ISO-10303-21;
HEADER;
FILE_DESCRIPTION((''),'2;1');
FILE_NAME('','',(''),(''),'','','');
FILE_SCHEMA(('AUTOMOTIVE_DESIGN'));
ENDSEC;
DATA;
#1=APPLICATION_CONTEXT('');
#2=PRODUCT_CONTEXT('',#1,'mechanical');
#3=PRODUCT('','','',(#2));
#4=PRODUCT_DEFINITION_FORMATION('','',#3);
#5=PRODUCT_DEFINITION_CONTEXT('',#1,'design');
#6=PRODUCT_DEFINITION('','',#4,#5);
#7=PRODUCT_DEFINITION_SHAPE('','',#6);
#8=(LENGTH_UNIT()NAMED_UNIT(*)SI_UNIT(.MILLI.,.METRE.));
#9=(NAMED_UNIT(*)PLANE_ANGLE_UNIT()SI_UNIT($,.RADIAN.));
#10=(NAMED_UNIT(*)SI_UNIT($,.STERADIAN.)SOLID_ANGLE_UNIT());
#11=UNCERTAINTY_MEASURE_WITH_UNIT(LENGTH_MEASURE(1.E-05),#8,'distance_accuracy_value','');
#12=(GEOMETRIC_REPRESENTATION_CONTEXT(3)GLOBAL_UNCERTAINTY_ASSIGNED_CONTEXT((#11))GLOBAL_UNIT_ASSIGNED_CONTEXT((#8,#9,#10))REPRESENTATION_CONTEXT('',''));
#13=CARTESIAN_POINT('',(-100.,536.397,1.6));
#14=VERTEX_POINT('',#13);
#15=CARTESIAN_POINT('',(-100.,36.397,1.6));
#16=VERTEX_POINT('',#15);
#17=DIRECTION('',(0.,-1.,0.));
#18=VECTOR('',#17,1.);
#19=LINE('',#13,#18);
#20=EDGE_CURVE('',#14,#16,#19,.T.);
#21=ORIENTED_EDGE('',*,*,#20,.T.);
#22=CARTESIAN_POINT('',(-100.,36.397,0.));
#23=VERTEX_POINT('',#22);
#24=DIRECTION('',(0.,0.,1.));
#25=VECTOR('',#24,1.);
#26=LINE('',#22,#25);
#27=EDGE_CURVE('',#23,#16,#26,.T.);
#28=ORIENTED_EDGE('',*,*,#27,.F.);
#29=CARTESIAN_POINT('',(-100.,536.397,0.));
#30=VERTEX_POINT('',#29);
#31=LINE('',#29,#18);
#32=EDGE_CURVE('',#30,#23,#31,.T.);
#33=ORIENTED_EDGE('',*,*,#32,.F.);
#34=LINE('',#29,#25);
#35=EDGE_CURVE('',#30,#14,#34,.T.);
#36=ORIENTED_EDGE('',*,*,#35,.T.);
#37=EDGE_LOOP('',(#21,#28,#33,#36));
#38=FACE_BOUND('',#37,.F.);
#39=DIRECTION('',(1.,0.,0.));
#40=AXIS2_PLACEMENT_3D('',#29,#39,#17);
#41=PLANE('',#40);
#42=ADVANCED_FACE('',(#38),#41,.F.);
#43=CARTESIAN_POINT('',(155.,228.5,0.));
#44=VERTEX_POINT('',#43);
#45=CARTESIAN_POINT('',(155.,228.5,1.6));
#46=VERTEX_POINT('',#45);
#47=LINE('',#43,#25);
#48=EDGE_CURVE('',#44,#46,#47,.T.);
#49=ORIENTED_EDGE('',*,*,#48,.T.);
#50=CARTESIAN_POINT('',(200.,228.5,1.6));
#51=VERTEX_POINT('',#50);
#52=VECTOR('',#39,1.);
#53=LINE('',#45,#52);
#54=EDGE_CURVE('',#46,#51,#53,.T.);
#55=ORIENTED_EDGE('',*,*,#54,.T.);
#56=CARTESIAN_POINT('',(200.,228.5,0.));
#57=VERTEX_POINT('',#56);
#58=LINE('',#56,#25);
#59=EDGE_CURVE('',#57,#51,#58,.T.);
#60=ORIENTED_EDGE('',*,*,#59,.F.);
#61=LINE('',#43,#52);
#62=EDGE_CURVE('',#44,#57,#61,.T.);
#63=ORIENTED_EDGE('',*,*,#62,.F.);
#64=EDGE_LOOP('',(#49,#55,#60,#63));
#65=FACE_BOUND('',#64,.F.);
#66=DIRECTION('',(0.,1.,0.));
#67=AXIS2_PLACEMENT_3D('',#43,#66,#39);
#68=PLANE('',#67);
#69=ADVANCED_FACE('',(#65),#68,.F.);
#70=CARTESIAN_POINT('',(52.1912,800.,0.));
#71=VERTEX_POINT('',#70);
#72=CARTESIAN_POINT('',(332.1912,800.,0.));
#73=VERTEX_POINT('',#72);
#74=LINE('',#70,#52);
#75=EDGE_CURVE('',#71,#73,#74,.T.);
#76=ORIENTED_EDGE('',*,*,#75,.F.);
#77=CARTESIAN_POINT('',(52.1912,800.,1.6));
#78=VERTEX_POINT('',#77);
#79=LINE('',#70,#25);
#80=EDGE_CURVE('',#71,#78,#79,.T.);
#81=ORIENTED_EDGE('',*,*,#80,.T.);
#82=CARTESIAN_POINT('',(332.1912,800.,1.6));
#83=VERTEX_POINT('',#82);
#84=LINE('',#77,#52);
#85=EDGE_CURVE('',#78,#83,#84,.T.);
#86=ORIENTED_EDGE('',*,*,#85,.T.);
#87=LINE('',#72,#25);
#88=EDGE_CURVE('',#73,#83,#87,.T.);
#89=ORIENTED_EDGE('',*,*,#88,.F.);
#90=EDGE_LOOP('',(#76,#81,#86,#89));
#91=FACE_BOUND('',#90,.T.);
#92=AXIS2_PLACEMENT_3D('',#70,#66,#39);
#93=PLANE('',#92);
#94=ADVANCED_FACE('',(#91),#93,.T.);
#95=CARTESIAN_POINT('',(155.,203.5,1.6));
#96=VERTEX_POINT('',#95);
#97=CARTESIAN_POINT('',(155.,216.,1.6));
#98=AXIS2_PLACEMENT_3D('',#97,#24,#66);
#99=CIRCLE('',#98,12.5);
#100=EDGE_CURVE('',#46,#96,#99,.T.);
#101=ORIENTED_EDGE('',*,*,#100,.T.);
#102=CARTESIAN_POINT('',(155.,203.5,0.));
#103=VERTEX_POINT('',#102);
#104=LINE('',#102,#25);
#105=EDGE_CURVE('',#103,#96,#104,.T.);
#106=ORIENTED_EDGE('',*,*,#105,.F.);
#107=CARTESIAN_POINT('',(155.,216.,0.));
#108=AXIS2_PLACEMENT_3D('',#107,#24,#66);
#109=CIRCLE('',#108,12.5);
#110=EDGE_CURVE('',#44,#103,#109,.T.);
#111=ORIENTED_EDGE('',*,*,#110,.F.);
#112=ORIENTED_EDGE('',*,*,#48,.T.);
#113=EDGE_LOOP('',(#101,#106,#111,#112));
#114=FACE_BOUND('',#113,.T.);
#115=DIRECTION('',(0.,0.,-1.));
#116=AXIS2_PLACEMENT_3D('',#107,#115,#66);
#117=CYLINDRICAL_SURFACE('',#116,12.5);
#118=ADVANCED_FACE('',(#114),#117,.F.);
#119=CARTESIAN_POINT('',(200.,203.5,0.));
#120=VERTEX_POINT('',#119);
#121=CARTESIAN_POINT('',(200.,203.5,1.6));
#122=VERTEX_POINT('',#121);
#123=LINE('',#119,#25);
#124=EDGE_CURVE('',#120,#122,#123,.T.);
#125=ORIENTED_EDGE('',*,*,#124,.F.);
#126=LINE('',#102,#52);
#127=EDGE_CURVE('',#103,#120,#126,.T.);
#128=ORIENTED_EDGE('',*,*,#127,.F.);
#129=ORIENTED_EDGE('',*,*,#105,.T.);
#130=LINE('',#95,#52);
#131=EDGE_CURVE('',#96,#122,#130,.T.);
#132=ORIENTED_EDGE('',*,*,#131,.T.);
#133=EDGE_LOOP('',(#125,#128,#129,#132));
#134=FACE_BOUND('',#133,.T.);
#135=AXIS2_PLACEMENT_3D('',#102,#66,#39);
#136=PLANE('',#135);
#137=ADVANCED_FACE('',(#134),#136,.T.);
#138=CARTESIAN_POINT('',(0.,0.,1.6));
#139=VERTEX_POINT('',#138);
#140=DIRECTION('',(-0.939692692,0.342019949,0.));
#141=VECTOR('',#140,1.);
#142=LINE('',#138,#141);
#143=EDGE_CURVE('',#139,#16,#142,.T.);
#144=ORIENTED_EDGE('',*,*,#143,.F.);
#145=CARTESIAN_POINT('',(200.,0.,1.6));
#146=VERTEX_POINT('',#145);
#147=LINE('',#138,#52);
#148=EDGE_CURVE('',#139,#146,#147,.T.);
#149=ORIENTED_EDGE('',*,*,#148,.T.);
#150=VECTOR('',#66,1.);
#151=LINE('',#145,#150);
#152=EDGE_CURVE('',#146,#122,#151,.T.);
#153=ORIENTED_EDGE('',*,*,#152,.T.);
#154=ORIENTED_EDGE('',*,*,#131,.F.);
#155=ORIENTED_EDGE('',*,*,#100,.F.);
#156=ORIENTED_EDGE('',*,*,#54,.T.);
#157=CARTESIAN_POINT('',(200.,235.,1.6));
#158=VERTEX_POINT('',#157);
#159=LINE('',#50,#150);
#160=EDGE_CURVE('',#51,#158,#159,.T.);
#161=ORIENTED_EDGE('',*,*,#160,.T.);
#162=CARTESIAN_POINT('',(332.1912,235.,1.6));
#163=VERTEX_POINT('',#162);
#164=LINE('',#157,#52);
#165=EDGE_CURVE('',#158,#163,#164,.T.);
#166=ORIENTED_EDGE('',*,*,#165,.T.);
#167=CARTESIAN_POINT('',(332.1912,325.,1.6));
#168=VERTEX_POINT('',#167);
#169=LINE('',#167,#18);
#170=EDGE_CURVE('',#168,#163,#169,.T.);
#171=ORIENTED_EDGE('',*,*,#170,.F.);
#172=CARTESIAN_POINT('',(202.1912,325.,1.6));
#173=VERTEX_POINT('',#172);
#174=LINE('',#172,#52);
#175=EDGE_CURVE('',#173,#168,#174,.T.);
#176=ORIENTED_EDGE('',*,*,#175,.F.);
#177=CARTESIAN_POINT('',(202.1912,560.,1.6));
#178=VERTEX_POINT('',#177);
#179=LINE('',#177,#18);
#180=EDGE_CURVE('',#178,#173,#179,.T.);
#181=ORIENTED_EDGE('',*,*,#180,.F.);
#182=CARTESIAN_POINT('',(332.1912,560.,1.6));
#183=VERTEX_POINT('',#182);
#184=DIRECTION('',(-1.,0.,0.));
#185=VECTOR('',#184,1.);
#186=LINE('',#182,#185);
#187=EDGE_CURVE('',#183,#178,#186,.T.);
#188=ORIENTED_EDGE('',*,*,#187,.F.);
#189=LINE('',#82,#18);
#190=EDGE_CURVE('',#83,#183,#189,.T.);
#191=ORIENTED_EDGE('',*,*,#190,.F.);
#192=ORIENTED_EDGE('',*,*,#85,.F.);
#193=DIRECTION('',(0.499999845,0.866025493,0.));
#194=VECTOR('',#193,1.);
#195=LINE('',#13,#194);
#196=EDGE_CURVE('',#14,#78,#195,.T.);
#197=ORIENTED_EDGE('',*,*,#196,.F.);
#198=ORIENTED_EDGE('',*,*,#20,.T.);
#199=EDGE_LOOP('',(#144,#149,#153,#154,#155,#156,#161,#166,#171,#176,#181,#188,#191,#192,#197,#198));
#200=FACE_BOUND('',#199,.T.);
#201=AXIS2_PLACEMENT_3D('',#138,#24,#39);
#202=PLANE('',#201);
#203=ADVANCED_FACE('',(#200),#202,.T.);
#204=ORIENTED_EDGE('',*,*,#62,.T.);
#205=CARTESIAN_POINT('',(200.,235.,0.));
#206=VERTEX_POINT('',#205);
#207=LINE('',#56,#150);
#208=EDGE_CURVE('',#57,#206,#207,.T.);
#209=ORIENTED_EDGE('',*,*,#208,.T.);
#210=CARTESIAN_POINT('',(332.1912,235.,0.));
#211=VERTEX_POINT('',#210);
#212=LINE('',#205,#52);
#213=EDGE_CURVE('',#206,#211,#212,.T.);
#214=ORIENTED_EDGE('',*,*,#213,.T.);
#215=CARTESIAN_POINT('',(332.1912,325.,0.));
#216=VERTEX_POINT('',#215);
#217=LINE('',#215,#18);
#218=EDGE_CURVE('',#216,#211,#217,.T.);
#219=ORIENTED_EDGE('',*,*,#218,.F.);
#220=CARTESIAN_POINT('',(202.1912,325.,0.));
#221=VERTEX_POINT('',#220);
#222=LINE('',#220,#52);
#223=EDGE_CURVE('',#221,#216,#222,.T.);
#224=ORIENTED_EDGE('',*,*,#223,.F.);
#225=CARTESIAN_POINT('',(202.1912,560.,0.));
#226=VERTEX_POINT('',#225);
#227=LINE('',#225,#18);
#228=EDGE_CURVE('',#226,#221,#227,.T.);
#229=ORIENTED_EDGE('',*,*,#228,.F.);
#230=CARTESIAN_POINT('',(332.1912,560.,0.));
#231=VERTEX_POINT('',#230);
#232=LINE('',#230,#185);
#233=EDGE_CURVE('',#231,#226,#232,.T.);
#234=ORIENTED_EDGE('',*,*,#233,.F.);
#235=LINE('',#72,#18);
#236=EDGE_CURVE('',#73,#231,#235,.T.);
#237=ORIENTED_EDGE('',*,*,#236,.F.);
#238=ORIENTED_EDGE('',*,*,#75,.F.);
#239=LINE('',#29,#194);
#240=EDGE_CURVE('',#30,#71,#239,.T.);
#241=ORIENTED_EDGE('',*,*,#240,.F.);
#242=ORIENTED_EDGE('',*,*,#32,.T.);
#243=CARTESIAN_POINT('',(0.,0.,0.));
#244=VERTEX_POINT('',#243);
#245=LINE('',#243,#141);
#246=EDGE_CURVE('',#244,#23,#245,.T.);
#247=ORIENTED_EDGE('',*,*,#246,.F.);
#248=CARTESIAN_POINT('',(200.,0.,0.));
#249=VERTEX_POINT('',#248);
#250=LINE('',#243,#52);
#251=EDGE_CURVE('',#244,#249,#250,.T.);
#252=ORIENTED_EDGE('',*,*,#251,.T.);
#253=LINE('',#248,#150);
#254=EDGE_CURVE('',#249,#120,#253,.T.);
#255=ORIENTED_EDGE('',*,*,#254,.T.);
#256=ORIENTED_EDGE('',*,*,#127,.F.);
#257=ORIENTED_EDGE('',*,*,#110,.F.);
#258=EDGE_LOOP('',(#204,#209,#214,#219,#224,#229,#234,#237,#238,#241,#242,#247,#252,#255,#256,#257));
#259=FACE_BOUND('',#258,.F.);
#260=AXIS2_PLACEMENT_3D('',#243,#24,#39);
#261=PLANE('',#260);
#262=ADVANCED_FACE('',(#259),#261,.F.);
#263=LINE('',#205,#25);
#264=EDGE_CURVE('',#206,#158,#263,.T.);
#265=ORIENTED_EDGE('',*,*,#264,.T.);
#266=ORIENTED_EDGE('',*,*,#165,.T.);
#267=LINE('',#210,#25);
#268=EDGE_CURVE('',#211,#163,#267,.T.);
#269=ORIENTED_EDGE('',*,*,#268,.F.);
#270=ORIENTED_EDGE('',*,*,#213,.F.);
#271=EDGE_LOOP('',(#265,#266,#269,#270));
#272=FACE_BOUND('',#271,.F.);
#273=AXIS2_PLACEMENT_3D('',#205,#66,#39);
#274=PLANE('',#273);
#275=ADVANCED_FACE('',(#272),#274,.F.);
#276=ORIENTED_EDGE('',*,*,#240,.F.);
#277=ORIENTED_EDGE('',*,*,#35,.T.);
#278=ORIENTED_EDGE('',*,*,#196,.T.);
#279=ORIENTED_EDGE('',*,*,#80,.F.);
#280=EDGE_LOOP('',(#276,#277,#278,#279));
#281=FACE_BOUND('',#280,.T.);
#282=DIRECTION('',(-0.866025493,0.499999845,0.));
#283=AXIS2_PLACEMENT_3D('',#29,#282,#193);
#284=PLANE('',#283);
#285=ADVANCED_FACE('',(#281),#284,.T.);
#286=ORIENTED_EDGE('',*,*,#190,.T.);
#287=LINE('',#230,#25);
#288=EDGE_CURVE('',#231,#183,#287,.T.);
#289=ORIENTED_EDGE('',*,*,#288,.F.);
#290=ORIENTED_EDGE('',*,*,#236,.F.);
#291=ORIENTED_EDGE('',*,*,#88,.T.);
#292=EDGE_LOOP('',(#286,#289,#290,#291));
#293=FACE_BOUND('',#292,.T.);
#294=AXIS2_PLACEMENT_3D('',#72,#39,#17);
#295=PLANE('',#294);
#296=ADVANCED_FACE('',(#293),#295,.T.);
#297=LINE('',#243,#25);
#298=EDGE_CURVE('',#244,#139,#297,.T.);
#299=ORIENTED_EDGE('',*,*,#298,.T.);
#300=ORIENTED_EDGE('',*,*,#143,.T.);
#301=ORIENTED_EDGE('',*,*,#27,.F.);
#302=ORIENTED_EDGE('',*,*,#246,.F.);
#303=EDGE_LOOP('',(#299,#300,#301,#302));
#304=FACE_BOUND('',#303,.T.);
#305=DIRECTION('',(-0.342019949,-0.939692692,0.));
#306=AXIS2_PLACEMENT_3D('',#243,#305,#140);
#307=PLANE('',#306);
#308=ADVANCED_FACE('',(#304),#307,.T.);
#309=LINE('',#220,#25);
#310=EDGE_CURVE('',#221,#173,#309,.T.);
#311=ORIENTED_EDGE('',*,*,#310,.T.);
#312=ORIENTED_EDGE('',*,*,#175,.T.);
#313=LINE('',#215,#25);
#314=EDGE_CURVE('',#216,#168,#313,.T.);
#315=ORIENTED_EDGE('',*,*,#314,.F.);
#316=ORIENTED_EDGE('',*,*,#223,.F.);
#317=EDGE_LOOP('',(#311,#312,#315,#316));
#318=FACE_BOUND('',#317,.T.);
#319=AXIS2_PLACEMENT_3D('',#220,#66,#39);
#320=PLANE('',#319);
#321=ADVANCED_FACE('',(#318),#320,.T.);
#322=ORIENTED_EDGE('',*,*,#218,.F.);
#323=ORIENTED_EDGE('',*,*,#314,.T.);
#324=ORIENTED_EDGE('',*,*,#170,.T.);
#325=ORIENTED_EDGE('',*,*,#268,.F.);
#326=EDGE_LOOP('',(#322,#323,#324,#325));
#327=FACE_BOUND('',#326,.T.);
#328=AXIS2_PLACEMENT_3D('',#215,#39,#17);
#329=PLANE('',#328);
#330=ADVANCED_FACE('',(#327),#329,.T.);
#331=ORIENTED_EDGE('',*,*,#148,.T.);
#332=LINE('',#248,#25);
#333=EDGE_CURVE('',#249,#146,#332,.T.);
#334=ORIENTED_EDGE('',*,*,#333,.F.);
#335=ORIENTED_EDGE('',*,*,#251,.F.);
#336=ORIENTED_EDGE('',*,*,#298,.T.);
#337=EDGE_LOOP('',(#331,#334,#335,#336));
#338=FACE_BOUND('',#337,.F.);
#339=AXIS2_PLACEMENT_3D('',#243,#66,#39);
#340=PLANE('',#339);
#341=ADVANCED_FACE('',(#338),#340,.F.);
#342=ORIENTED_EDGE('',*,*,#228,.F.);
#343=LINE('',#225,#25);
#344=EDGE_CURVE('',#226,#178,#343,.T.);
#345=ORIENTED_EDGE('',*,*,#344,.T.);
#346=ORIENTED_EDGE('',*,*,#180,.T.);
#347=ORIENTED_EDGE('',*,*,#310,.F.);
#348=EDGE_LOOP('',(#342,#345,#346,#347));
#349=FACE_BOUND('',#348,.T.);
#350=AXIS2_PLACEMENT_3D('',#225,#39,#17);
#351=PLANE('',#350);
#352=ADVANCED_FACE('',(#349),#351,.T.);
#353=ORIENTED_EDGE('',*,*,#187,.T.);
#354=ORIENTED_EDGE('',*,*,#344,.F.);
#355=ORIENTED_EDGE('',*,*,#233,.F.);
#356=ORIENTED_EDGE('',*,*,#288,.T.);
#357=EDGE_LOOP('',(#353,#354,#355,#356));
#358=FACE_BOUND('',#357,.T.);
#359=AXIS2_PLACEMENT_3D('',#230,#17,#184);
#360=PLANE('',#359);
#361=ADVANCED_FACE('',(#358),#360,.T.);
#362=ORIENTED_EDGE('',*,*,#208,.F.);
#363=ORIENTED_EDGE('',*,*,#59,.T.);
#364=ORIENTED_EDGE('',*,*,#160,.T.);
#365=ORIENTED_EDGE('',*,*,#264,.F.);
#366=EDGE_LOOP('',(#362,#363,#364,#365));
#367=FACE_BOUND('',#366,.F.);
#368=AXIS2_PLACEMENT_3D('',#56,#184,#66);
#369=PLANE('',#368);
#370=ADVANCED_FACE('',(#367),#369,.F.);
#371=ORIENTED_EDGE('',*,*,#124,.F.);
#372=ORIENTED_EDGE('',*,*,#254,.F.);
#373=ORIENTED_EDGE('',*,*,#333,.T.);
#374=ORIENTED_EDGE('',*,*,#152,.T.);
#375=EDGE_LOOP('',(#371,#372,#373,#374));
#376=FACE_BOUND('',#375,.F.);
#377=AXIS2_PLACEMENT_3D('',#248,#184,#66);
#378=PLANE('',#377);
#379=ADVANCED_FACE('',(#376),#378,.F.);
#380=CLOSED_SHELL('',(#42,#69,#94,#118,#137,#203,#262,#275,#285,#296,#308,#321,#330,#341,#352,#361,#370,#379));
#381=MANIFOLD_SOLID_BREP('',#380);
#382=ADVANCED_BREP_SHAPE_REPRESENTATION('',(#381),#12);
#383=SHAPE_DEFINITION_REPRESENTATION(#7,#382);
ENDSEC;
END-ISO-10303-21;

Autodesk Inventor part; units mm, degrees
ref_plane "YZ Plane" through (0, 0, 0) normal (1, 0, 0) x (0, 1, 0)
ref_plane "XZ Plane" through (0, 0, 0) normal (0, 1, 0) x (-1, 0, 0)
ref_plane "XY Plane" through (0, 0, 0) normal (0, 0, 1) x (1, 0, 0)
sketch "Sketch1" plane through (0, 0, 0) normal (0, 0, 1) x (1, 0, 0)
  line L0 (0, 0) -> (200, 0)
  line L1 (0, 0) -> (-100, 36.397)
  line L2 (0, 0) -> (236.9147, 0) construction
  line L3 (-100, 536.397) -> (-100, 36.397)
  line L4 (-100, 536.397) -> (52.1912, 800)
  line L5 (-100, 536.397) -> (462.0527, 536.397) construction
  line L6 (52.1912, 800) -> (332.1912, 800)
  line L7 (332.1912, 800) -> (332.1912, 560)
  line L8 (332.1912, 560) -> (202.1912, 560)
  line L9 (202.1912, 560) -> (202.1912, 325)
  line L10 (202.1912, 325) -> (332.1912, 325)
  line L11 (200, 235) -> (332.1912, 235)
  line L12 (332.1912, 325) -> (332.1912, 235)
  line L13 (155, 203.5) -> (200, 203.5)
  line L14 (155, 228.5) -> (200, 228.5)
  arc A0 (155, 228.5) -> (155, 203.5) centre (155, 216) ccw
  line L15 (200, 0) -> (200, 203.5)
  line L16 (200, 228.5) -> (200, 235)
  dimension "d0" = 200
  dimension "d1" = 160
  dimension "d2" = 500
  dimension "d3" = 100
  dimension "d4" = 60
  dimension "d5" = 280
  dimension "d6" = 800
  dimension "d7" = 240
  dimension "d8" = 130
  dimension "d9" = 235
  dimension "d10" = 130
  dimension "d11" = 235
  dimension "d14" = 25
  dimension "d16" = 216
  dimension "d18" = 45
extrude "Extrusion1" add sketch "Sketch1" along normal blind 1.6
equation "\"d10\" = d8"
properties part number "Gearbox Cover Part 1"
